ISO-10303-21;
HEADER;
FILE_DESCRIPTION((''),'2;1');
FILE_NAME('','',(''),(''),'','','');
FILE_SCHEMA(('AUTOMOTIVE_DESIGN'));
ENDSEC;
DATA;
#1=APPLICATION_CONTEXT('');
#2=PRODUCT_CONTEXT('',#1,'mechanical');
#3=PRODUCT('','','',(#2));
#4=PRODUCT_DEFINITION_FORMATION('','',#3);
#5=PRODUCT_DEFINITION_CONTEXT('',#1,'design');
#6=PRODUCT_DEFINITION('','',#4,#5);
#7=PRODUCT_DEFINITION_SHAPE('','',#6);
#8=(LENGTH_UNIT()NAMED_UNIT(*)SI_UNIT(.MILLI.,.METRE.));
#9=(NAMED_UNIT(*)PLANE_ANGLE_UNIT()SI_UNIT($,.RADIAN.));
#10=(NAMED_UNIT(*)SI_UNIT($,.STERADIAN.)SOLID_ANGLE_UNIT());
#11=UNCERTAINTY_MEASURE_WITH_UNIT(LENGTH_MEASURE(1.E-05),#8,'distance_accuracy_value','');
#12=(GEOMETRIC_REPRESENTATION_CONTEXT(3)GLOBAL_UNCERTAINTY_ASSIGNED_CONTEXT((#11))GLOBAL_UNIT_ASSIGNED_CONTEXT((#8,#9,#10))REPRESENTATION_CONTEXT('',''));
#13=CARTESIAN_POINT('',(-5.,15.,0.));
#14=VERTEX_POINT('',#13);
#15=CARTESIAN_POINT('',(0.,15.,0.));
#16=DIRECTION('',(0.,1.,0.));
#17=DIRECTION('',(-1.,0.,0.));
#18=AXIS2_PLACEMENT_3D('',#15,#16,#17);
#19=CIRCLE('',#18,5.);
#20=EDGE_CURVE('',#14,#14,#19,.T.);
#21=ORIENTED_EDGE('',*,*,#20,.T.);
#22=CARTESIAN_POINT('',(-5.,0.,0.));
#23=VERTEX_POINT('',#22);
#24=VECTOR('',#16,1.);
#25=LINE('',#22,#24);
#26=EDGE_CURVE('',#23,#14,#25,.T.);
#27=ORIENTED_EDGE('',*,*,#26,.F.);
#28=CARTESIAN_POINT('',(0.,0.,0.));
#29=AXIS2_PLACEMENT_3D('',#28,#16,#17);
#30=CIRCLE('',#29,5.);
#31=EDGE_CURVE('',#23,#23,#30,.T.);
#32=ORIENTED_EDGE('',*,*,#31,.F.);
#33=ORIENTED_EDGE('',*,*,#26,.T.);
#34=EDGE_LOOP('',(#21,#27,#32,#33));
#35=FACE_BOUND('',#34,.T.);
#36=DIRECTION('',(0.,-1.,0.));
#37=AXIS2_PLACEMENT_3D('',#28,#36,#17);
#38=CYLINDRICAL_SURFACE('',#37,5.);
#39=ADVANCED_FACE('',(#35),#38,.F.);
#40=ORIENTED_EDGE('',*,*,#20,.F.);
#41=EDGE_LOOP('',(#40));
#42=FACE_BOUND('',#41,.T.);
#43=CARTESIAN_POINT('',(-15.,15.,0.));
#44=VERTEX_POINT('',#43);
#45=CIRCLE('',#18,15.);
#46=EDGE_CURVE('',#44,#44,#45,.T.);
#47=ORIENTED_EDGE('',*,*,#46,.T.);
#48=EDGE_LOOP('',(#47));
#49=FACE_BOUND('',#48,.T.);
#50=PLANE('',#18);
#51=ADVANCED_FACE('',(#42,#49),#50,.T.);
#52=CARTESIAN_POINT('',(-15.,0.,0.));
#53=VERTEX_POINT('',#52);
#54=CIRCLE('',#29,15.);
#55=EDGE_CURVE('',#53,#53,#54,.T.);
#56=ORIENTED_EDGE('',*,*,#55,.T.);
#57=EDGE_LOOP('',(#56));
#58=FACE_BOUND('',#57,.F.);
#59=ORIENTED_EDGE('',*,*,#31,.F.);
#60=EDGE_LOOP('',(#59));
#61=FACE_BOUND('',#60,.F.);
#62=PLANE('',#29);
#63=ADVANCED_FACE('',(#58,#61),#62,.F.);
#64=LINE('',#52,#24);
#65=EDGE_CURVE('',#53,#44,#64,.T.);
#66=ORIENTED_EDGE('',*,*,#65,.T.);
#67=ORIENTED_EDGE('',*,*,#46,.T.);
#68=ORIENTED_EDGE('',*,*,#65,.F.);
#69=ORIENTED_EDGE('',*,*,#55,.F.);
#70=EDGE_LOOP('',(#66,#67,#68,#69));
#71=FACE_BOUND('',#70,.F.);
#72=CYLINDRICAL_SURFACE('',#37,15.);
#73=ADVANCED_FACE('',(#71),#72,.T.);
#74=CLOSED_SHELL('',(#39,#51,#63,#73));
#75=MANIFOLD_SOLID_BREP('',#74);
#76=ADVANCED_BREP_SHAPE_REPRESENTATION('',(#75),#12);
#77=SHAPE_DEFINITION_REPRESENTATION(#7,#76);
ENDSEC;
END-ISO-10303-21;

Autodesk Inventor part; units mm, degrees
ref_plane "YZ Plane" through (0, 0, 0) normal (1, 0, 0) x (0, 1, 0)
ref_plane "XZ Plane" through (0, 0, 0) normal (0, 1, 0) x (-1, 0, 0)
ref_plane "XY Plane" through (0, 0, 0) normal (0, 0, 1) x (1, 0, 0)
sketch "Sketch1" plane through (0, 0, 0) normal (0, 1, 0) x (-1, 0, 0)
  circle A0 centre (0, 0) radius 15
  circle A1 centre (0, 0) radius 5
  dimension "d0" = 30
  dimension "d1" = 10
extrude "Extrusion1" add sketch "Sketch1" along normal blind 15
properties part number "Y_Slider_Zahnrad"
